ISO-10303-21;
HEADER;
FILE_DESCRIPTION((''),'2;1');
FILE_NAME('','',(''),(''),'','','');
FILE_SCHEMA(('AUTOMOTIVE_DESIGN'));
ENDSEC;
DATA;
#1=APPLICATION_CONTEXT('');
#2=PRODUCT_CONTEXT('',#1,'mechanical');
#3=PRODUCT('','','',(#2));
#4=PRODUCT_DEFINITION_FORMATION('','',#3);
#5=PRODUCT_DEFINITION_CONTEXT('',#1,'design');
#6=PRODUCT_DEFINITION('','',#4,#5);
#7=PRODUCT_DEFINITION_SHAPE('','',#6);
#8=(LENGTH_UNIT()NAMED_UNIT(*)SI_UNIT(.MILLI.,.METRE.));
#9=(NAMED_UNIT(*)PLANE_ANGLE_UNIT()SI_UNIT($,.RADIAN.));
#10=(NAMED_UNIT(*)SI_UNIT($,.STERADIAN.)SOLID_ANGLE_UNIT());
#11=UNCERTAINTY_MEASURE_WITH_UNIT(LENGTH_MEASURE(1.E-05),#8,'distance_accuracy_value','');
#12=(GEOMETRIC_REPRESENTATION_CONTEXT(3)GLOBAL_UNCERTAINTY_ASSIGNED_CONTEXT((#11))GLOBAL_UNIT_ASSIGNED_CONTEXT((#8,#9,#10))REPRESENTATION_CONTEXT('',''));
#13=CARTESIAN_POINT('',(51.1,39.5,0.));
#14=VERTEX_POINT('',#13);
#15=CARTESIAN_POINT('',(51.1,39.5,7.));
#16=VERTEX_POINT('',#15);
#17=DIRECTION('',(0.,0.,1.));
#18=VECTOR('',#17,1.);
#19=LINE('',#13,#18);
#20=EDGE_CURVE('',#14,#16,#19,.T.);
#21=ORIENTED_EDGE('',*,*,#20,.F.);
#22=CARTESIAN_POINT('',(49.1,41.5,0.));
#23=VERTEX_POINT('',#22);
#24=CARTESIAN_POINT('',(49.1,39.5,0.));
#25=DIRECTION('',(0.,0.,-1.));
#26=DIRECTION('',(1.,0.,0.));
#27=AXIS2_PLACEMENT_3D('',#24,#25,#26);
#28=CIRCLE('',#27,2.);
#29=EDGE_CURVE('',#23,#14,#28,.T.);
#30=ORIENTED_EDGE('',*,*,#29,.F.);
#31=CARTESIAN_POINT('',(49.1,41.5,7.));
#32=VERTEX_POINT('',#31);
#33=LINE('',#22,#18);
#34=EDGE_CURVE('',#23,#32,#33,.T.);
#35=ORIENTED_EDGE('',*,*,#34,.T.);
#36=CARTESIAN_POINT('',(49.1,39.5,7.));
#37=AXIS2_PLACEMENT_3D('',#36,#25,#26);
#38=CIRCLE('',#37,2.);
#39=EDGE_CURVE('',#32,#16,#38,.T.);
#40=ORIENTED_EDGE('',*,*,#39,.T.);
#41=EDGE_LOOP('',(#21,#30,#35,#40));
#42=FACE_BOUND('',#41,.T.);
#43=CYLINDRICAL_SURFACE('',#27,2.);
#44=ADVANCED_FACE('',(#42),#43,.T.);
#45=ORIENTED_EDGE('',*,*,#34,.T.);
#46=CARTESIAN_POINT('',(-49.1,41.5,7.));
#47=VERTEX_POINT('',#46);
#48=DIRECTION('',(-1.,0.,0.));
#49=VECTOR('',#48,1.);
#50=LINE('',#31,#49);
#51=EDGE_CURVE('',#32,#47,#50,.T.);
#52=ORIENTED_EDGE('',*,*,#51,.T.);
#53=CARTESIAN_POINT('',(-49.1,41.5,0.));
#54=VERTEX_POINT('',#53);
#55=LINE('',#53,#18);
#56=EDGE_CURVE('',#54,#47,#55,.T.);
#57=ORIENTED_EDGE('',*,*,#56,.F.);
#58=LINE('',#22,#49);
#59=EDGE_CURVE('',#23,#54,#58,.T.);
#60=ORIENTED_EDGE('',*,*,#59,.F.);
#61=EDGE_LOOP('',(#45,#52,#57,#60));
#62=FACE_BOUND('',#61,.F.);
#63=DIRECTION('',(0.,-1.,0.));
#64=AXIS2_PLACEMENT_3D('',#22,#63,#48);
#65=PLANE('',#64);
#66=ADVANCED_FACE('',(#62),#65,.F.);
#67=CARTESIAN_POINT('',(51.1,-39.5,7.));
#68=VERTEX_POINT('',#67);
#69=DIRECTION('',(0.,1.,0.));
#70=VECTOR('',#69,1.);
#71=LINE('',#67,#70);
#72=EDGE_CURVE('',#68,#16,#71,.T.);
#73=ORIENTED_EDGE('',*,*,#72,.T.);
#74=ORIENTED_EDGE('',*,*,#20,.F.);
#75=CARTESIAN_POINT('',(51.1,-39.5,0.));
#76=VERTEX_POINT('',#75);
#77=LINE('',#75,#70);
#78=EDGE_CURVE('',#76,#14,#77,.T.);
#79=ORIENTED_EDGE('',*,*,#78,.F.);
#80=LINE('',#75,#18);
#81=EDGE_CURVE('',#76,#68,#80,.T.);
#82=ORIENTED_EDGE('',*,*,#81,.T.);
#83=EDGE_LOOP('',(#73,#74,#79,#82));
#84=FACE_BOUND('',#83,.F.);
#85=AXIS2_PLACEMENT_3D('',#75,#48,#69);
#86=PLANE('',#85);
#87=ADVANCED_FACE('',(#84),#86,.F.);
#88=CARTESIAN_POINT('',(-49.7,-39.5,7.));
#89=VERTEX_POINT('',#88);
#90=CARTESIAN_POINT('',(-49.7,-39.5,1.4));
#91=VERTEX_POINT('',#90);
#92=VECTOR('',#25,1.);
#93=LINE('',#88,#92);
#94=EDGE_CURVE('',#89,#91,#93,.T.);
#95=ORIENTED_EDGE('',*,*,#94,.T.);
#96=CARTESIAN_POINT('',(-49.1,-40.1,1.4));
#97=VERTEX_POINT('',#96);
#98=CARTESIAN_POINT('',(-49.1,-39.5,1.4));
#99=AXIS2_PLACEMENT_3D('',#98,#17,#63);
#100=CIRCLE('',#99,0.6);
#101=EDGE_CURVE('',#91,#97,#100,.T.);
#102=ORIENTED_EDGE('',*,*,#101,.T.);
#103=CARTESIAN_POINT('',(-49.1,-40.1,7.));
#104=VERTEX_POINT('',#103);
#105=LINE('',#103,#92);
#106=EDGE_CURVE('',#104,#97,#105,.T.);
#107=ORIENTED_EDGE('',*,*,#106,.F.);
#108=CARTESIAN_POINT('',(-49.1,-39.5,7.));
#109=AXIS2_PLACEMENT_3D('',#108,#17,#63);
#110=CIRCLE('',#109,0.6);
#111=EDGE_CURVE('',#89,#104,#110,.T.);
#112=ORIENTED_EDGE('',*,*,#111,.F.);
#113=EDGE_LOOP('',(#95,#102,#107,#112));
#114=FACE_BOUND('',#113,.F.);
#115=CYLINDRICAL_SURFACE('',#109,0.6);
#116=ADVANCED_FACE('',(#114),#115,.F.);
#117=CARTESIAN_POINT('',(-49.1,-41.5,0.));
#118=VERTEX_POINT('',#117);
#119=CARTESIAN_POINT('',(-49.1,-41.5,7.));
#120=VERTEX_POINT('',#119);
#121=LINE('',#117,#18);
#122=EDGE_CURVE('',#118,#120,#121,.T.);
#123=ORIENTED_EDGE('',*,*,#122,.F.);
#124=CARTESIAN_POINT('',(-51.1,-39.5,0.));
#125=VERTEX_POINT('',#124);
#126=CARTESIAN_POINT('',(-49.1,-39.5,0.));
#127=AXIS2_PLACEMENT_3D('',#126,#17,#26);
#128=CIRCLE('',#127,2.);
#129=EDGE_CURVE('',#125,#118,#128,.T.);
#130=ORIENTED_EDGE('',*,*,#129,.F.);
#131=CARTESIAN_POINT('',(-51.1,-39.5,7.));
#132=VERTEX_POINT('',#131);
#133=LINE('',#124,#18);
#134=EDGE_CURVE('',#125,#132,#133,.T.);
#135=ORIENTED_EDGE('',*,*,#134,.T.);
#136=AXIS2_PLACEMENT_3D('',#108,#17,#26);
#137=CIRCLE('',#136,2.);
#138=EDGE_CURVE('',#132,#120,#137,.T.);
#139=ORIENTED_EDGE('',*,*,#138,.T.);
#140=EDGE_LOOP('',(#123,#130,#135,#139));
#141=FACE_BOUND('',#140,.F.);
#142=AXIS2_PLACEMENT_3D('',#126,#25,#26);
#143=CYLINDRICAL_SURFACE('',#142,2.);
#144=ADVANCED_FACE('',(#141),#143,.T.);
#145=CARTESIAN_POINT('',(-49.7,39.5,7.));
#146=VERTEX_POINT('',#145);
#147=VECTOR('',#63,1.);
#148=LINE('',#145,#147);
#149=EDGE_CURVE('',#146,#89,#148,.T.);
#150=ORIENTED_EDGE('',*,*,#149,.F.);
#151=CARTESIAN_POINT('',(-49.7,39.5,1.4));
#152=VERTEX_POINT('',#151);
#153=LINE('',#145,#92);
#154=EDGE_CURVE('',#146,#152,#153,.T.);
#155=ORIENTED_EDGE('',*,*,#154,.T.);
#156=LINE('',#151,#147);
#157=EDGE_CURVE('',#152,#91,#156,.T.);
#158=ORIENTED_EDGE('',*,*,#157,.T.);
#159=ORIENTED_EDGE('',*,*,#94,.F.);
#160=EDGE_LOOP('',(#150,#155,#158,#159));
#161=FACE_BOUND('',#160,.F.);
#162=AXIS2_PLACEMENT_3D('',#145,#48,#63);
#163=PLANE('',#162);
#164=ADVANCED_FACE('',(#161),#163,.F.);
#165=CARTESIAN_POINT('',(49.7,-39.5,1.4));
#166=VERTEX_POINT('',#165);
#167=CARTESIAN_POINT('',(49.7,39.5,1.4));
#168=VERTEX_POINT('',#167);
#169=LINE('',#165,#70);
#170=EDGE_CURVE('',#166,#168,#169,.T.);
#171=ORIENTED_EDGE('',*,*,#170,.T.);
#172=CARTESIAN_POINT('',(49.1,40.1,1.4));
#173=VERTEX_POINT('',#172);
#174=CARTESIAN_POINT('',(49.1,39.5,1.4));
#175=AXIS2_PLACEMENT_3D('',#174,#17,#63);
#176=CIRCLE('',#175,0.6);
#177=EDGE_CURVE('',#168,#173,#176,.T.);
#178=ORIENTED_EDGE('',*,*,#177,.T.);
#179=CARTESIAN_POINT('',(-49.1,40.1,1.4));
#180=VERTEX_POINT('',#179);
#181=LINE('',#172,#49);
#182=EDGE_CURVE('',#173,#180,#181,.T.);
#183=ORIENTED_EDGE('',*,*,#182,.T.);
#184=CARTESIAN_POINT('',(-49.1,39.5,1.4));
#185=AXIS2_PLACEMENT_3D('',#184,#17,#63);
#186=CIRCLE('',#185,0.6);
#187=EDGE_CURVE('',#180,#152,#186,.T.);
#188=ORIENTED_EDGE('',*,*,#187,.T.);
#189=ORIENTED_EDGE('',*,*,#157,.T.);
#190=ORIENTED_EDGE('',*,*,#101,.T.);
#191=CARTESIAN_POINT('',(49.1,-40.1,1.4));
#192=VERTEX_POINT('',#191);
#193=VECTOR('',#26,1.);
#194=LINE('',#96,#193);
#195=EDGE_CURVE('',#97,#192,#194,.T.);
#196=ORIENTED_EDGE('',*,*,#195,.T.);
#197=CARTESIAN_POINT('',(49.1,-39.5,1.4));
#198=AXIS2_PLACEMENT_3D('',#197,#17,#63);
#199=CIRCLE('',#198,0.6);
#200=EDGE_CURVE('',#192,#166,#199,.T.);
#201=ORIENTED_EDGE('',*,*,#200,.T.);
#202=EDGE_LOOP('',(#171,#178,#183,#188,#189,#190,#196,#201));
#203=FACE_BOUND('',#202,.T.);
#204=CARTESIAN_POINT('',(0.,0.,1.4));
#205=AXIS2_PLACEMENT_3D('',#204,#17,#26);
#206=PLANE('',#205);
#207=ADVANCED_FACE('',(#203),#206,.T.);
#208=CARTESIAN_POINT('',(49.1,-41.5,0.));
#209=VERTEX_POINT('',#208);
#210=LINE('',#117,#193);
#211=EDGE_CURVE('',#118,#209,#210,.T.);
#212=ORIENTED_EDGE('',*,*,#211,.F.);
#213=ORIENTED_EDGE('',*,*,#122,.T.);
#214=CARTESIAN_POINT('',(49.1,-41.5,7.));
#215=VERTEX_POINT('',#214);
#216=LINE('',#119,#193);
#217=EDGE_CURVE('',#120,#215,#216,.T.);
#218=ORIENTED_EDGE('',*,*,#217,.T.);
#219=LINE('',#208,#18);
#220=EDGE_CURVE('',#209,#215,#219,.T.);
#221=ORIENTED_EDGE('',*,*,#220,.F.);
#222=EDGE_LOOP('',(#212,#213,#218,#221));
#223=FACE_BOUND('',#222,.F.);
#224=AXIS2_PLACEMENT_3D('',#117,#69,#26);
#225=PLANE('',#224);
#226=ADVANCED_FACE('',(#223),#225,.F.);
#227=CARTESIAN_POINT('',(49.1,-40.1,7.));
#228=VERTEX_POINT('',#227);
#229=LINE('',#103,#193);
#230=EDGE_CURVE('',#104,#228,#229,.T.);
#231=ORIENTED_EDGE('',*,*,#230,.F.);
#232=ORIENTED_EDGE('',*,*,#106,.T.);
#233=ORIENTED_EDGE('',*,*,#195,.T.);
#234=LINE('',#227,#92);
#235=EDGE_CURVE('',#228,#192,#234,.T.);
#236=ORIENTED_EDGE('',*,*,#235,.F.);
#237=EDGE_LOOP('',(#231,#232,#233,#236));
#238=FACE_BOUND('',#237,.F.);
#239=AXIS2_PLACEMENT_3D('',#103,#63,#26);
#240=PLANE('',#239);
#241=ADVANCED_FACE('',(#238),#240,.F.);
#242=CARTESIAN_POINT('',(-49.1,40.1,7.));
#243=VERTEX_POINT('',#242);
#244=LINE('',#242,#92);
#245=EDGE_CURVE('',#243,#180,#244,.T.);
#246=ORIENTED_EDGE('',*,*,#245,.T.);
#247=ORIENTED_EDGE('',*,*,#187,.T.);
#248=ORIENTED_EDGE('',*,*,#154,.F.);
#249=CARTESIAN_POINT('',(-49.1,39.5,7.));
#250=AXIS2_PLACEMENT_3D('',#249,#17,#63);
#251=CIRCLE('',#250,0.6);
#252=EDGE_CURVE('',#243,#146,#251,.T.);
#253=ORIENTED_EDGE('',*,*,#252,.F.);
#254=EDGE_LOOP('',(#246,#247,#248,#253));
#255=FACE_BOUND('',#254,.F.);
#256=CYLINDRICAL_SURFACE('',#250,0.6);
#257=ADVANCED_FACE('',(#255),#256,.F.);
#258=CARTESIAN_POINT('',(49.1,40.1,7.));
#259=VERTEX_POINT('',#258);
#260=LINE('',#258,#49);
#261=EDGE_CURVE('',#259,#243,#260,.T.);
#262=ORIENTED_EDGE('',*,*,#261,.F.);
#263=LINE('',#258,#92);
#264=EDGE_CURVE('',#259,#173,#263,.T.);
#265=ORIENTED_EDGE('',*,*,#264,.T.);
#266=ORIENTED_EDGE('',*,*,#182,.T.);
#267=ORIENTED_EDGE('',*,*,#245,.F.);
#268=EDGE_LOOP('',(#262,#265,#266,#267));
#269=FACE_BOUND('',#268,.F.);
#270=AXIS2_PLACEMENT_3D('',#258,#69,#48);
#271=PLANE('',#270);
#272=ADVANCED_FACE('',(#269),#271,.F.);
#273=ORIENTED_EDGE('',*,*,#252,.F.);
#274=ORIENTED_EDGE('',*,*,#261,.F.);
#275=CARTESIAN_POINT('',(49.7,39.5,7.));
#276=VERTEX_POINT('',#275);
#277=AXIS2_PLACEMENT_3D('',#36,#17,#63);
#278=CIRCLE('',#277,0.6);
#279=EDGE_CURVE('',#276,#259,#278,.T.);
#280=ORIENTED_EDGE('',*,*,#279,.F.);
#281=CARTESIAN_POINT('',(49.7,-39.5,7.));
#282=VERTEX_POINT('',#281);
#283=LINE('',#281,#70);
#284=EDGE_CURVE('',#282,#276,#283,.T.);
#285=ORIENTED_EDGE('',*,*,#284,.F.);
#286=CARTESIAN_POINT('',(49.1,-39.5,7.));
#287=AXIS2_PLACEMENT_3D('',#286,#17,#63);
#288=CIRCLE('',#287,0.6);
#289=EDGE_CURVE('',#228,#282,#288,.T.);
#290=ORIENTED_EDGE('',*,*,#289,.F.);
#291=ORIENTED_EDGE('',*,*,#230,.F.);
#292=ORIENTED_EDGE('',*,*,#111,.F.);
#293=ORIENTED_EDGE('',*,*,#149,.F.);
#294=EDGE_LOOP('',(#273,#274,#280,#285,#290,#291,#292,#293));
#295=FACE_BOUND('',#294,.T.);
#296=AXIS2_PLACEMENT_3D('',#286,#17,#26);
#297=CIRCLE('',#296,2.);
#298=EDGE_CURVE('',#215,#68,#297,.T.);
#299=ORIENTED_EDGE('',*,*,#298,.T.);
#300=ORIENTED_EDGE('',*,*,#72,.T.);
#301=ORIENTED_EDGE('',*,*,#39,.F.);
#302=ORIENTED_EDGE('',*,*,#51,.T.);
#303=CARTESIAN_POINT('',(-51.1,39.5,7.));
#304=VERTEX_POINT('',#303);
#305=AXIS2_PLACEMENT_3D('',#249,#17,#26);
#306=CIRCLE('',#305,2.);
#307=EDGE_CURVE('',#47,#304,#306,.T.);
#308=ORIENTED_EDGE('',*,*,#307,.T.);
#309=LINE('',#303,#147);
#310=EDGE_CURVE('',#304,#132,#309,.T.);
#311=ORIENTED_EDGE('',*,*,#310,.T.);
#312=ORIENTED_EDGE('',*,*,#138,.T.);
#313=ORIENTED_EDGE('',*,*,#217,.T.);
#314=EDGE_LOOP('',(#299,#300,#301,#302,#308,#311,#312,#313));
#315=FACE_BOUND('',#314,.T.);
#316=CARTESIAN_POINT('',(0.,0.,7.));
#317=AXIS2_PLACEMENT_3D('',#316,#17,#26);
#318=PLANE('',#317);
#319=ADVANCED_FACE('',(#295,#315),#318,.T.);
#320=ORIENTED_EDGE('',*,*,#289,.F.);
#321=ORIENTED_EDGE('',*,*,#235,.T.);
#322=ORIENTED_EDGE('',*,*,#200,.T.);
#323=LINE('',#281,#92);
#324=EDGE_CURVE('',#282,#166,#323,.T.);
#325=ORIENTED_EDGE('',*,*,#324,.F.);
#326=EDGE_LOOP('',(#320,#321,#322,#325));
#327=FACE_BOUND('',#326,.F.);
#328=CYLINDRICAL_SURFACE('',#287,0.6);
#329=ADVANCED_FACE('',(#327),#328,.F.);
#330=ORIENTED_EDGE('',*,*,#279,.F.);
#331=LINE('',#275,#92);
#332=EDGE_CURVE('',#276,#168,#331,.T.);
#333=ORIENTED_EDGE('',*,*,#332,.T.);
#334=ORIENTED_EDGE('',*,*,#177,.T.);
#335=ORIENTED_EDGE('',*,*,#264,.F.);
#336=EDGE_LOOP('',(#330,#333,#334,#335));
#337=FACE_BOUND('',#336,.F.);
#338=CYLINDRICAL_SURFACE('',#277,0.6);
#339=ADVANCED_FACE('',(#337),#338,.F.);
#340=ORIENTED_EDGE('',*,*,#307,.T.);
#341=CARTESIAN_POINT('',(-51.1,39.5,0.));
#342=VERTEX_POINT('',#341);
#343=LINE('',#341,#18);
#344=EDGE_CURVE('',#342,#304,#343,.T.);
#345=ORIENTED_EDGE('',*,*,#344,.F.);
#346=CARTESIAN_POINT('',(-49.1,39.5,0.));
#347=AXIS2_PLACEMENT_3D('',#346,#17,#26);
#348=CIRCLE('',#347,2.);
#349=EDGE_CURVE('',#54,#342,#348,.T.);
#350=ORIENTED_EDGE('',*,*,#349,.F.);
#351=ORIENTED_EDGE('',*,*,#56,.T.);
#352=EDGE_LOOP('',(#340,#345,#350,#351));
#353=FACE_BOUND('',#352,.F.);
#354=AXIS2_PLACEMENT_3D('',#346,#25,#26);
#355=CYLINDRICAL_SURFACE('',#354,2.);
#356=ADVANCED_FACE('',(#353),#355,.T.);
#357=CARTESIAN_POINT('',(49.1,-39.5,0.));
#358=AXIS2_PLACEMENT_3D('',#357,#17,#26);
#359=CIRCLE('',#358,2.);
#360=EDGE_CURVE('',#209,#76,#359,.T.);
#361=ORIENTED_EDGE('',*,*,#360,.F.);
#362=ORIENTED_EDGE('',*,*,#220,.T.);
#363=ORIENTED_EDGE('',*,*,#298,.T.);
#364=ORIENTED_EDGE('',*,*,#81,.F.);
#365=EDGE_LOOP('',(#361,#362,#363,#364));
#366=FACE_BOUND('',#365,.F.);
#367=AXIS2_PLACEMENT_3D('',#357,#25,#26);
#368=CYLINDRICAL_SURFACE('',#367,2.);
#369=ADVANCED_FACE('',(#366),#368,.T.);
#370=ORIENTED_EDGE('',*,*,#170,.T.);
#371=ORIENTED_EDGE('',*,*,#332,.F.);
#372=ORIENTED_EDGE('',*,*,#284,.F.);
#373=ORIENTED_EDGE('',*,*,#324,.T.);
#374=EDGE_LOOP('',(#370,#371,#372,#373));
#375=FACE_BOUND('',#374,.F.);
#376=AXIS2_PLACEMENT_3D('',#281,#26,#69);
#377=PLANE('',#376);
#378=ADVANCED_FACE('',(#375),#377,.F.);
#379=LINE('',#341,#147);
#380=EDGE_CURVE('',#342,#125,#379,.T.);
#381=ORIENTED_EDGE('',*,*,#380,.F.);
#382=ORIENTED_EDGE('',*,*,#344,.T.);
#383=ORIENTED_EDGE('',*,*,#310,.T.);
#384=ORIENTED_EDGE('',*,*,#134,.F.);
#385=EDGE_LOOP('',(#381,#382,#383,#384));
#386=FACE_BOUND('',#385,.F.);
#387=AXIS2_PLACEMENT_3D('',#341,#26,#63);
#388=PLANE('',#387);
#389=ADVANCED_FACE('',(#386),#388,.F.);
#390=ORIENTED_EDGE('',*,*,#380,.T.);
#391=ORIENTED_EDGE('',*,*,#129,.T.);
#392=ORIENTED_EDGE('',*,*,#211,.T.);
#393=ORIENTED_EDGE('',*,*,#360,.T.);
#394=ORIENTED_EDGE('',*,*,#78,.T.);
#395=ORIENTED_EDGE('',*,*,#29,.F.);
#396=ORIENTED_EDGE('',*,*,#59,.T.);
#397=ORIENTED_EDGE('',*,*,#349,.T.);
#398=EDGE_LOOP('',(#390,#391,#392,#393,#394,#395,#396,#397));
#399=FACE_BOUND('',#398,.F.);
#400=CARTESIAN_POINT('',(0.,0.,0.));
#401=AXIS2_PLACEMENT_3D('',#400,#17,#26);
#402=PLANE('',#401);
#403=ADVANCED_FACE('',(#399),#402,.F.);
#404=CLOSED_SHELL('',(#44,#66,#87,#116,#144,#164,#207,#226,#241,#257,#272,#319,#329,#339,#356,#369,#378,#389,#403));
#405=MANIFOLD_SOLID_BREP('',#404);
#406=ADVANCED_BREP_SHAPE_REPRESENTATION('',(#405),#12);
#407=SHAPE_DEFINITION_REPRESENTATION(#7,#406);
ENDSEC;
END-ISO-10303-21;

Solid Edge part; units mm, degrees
sketch "Sketch1" plane through (0, 0, 0) normal (0, 0, 1) x (1, 0, 0)
  arc A0 (-49.1, 41.5) -> (-51.1, 39.5) centre (-49.1, 39.5) ccw
  line L0 (-51.1, 39.5) -> (-51.1, -39.5)
  arc A1 (-51.1, -39.5) -> (-49.1, -41.5) centre (-49.1, -39.5) ccw
  line L1 (-49.1, -41.5) -> (49.1, -41.5)
  arc A2 (49.1, -41.5) -> (51.1, -39.5) centre (49.1, -39.5) ccw
  line L2 (51.1, -39.5) -> (51.1, 39.5)
  arc A3 (49.1, 41.5) -> (51.1, 39.5) centre (49.1, 39.5) cw
  line L3 (49.1, 41.5) -> (-49.1, 41.5)
extrude "ExtrudedProtrusion_1" add sketch "Sketch1" along normal blind 7
sketch "Sketch2" plane through (0, 0, 7) normal (0, 0, 1) x (0, -1, 0)
  arc A0 (39.5, -49.7) -> (40.1, -49.1) centre (39.5, -49.1) ccw
  line L0 (40.1, -49.1) -> (40.1, 49.1)
  arc A1 (40.1, 49.1) -> (39.5, 49.7) centre (39.5, 49.1) ccw
  line L1 (39.5, 49.7) -> (-39.5, 49.7)
  arc A2 (-39.5, 49.7) -> (-40.1, 49.1) centre (-39.5, 49.1) ccw
  line L2 (-40.1, 49.1) -> (-40.1, -49.1)
  arc A3 (-40.1, -49.1) -> (-39.5, -49.7) centre (-39.5, -49.1) ccw
  line L3 (-39.5, -49.7) -> (39.5, -49.7)
extrude "ExtrudedCutout_1" cut sketch "Sketch2" against normal blind 5.6
